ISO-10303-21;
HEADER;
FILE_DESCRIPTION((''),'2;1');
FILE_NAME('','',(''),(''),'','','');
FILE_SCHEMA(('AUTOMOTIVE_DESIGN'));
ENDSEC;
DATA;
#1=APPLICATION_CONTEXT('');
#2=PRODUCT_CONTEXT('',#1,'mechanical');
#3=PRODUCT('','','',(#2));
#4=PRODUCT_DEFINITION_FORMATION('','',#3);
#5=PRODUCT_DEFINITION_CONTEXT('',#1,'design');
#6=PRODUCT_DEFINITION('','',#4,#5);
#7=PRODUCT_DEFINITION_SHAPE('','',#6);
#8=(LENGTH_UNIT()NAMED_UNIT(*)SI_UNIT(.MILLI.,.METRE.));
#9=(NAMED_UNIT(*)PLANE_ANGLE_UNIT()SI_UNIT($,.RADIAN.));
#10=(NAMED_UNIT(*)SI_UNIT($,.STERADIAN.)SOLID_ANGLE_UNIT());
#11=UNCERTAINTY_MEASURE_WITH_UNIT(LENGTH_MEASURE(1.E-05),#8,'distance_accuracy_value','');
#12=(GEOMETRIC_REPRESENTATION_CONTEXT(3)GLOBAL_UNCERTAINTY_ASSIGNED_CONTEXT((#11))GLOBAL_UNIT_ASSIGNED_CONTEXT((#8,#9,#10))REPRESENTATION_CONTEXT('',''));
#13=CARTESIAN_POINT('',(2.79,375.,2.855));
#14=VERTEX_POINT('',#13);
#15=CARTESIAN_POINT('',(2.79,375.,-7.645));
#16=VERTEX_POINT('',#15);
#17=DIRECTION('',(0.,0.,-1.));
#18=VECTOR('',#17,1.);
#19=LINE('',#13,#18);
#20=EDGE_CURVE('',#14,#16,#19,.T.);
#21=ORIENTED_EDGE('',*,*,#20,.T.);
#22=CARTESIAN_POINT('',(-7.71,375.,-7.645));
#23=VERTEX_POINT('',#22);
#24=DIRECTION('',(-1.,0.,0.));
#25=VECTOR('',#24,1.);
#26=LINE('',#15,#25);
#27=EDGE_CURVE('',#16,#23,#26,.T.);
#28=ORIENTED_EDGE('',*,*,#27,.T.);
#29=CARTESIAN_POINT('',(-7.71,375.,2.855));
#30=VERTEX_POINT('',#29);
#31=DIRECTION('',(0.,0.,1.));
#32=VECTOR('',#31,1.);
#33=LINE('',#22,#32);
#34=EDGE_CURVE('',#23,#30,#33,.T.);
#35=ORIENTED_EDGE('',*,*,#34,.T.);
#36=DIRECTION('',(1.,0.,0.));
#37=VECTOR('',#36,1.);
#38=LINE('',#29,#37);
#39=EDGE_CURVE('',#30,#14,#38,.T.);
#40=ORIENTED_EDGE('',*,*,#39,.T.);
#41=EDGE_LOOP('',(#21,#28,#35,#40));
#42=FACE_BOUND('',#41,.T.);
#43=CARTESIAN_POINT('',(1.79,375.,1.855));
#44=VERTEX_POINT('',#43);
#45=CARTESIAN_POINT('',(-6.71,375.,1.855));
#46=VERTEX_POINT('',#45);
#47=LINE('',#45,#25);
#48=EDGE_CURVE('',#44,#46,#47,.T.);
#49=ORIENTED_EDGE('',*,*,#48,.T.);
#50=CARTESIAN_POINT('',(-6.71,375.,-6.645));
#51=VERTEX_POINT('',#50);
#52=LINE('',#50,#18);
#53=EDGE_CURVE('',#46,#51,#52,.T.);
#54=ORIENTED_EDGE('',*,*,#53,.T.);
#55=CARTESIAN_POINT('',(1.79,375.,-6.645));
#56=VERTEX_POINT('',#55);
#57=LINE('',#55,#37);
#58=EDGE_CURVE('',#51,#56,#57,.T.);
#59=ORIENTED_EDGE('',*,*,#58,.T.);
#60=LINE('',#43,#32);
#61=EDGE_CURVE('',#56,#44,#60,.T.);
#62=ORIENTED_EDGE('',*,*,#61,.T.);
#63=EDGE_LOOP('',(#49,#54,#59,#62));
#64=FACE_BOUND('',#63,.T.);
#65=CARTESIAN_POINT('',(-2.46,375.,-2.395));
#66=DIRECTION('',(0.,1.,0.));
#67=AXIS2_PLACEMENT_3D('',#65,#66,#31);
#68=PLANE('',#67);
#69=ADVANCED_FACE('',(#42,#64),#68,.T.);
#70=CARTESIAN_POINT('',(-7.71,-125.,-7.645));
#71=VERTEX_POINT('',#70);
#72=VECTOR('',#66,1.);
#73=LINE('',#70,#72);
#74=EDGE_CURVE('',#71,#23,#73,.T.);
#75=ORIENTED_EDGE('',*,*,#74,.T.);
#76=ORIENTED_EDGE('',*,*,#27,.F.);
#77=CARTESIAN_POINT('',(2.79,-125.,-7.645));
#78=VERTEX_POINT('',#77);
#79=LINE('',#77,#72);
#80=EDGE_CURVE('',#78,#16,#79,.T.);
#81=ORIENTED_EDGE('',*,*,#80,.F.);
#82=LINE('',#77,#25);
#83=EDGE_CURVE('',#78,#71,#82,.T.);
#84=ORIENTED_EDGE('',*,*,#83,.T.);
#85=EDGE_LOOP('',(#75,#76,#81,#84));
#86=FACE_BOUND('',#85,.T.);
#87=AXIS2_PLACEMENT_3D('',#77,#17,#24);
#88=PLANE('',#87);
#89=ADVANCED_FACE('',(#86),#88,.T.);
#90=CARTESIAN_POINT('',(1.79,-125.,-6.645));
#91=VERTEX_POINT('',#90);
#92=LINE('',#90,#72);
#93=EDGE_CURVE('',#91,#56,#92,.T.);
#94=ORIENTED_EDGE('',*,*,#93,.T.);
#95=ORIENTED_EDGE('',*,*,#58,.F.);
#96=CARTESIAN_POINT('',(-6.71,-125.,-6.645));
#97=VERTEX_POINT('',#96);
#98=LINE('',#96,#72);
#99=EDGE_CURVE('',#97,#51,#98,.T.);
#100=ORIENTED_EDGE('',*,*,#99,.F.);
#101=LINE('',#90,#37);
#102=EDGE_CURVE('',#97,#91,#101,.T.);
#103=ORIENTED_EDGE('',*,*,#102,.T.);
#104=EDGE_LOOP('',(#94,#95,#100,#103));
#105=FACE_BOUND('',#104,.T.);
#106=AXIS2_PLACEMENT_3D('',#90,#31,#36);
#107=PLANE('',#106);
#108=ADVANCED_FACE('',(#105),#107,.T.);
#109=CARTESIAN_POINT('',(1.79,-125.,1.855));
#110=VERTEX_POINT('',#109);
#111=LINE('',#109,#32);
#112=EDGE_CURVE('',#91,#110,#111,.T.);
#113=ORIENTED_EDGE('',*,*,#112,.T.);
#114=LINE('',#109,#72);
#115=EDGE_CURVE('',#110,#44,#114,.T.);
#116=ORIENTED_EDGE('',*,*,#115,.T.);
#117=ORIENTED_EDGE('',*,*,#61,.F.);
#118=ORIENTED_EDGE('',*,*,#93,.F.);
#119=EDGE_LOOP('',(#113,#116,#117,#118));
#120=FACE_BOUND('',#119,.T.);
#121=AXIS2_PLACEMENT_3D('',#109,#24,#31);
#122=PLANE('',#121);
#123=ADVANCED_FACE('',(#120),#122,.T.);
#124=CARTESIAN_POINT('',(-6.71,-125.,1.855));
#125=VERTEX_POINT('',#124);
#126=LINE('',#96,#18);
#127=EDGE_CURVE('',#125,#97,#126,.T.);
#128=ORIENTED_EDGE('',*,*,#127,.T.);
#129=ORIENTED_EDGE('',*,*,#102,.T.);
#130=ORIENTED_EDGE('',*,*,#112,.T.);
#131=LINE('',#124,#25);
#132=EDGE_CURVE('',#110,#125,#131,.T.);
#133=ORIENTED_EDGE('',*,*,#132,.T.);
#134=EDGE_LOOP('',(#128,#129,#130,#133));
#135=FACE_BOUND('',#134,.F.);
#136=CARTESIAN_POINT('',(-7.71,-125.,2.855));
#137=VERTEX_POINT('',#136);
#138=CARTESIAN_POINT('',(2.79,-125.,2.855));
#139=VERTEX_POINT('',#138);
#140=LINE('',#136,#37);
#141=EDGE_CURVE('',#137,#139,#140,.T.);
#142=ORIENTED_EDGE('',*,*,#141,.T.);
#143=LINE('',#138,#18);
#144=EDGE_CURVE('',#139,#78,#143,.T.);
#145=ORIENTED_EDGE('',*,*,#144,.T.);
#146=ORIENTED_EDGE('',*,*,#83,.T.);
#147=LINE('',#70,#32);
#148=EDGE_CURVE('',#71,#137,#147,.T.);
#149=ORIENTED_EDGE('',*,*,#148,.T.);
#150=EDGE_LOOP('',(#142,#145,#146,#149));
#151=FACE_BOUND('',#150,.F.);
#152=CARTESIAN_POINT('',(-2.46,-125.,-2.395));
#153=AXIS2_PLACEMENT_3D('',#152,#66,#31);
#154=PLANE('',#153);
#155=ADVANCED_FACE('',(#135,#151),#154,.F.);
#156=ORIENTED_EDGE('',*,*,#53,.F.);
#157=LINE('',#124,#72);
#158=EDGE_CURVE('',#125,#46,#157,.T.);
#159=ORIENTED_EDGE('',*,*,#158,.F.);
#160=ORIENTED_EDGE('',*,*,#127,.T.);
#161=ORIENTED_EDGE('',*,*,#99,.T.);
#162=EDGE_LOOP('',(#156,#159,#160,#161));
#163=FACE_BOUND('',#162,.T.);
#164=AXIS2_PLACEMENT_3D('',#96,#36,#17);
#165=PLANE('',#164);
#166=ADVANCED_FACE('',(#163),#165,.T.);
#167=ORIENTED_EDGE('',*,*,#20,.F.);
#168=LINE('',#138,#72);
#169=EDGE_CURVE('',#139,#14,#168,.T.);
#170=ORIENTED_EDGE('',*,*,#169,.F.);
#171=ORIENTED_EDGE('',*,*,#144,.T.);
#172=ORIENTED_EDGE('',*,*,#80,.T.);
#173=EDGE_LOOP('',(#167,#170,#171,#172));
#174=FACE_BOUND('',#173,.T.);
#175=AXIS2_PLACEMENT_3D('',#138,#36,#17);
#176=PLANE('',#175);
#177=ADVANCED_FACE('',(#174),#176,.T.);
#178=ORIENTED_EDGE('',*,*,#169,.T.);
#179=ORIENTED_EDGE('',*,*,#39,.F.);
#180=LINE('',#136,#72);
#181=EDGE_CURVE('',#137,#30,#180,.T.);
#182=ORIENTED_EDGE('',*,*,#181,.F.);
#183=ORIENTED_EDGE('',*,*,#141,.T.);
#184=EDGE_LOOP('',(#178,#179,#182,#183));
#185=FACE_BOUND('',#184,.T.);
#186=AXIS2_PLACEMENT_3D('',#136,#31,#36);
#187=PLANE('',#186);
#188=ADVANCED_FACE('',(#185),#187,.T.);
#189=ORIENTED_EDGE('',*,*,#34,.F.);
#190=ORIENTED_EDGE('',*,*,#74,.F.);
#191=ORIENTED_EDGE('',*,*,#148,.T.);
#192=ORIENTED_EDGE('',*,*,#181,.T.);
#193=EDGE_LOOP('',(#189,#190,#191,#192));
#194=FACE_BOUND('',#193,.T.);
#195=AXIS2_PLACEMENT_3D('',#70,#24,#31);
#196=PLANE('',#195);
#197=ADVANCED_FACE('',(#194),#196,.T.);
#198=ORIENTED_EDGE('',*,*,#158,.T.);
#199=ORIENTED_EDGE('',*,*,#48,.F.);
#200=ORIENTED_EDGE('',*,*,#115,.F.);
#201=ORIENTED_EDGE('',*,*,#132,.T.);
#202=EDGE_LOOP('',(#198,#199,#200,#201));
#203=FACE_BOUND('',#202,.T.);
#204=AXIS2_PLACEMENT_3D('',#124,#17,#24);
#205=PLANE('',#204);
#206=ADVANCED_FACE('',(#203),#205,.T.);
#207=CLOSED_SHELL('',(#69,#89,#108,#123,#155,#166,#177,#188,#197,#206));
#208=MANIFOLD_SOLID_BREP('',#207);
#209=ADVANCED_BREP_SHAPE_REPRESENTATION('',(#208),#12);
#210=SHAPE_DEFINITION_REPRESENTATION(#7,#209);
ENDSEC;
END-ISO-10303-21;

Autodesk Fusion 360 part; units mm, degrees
sketch "Sketch1" plane through (0, 0, 0) normal (1, 0, 0) x (0, 1, 0)
  line L0 (-125, 0) -> (375, 0)
  dimension "d1" = 500
sketch "Sketch4" plane through (0, 0, 0) normal (0, 1, 0) x (1, 0, 0)
  line L0 (2.79, 7.645) -> (-7.71, 7.645)
  line L1 (-7.71, 7.645) -> (-7.71, -2.855)
  line L2 (-7.71, -2.855) -> (2.79, -2.855)
  line L3 (2.79, -2.855) -> (2.79, 7.645)
  line L4 (2.79, 7.645) -> (-7.71, -2.855) construction
  line L5 (-7.71, 7.645) -> (2.79, -2.855) construction
  line L6 (1.79, 6.645) -> (-6.71, 6.645)
  line L7 (-6.71, 6.645) -> (-6.71, -1.855)
  line L8 (-6.71, -1.855) -> (1.79, -1.855)
  line L9 (1.79, -1.855) -> (1.79, 6.645)
  line L10 (1.79, 6.645) -> (-6.71, -1.855) construction
  line L11 (-6.71, 6.645) -> (1.79, -1.855) construction
  point P0 (-2.46, 2.395)
  point P1 (-2.46, 2.395)
  dimension "d2" = 10.5
  dimension "d3" = 10.5
  dimension "d4" = 8.5
  dimension "d5" = 8.5
sweep "Sweep1" add profiles "Sketch4" path "Sketch1" along L0 section 1
